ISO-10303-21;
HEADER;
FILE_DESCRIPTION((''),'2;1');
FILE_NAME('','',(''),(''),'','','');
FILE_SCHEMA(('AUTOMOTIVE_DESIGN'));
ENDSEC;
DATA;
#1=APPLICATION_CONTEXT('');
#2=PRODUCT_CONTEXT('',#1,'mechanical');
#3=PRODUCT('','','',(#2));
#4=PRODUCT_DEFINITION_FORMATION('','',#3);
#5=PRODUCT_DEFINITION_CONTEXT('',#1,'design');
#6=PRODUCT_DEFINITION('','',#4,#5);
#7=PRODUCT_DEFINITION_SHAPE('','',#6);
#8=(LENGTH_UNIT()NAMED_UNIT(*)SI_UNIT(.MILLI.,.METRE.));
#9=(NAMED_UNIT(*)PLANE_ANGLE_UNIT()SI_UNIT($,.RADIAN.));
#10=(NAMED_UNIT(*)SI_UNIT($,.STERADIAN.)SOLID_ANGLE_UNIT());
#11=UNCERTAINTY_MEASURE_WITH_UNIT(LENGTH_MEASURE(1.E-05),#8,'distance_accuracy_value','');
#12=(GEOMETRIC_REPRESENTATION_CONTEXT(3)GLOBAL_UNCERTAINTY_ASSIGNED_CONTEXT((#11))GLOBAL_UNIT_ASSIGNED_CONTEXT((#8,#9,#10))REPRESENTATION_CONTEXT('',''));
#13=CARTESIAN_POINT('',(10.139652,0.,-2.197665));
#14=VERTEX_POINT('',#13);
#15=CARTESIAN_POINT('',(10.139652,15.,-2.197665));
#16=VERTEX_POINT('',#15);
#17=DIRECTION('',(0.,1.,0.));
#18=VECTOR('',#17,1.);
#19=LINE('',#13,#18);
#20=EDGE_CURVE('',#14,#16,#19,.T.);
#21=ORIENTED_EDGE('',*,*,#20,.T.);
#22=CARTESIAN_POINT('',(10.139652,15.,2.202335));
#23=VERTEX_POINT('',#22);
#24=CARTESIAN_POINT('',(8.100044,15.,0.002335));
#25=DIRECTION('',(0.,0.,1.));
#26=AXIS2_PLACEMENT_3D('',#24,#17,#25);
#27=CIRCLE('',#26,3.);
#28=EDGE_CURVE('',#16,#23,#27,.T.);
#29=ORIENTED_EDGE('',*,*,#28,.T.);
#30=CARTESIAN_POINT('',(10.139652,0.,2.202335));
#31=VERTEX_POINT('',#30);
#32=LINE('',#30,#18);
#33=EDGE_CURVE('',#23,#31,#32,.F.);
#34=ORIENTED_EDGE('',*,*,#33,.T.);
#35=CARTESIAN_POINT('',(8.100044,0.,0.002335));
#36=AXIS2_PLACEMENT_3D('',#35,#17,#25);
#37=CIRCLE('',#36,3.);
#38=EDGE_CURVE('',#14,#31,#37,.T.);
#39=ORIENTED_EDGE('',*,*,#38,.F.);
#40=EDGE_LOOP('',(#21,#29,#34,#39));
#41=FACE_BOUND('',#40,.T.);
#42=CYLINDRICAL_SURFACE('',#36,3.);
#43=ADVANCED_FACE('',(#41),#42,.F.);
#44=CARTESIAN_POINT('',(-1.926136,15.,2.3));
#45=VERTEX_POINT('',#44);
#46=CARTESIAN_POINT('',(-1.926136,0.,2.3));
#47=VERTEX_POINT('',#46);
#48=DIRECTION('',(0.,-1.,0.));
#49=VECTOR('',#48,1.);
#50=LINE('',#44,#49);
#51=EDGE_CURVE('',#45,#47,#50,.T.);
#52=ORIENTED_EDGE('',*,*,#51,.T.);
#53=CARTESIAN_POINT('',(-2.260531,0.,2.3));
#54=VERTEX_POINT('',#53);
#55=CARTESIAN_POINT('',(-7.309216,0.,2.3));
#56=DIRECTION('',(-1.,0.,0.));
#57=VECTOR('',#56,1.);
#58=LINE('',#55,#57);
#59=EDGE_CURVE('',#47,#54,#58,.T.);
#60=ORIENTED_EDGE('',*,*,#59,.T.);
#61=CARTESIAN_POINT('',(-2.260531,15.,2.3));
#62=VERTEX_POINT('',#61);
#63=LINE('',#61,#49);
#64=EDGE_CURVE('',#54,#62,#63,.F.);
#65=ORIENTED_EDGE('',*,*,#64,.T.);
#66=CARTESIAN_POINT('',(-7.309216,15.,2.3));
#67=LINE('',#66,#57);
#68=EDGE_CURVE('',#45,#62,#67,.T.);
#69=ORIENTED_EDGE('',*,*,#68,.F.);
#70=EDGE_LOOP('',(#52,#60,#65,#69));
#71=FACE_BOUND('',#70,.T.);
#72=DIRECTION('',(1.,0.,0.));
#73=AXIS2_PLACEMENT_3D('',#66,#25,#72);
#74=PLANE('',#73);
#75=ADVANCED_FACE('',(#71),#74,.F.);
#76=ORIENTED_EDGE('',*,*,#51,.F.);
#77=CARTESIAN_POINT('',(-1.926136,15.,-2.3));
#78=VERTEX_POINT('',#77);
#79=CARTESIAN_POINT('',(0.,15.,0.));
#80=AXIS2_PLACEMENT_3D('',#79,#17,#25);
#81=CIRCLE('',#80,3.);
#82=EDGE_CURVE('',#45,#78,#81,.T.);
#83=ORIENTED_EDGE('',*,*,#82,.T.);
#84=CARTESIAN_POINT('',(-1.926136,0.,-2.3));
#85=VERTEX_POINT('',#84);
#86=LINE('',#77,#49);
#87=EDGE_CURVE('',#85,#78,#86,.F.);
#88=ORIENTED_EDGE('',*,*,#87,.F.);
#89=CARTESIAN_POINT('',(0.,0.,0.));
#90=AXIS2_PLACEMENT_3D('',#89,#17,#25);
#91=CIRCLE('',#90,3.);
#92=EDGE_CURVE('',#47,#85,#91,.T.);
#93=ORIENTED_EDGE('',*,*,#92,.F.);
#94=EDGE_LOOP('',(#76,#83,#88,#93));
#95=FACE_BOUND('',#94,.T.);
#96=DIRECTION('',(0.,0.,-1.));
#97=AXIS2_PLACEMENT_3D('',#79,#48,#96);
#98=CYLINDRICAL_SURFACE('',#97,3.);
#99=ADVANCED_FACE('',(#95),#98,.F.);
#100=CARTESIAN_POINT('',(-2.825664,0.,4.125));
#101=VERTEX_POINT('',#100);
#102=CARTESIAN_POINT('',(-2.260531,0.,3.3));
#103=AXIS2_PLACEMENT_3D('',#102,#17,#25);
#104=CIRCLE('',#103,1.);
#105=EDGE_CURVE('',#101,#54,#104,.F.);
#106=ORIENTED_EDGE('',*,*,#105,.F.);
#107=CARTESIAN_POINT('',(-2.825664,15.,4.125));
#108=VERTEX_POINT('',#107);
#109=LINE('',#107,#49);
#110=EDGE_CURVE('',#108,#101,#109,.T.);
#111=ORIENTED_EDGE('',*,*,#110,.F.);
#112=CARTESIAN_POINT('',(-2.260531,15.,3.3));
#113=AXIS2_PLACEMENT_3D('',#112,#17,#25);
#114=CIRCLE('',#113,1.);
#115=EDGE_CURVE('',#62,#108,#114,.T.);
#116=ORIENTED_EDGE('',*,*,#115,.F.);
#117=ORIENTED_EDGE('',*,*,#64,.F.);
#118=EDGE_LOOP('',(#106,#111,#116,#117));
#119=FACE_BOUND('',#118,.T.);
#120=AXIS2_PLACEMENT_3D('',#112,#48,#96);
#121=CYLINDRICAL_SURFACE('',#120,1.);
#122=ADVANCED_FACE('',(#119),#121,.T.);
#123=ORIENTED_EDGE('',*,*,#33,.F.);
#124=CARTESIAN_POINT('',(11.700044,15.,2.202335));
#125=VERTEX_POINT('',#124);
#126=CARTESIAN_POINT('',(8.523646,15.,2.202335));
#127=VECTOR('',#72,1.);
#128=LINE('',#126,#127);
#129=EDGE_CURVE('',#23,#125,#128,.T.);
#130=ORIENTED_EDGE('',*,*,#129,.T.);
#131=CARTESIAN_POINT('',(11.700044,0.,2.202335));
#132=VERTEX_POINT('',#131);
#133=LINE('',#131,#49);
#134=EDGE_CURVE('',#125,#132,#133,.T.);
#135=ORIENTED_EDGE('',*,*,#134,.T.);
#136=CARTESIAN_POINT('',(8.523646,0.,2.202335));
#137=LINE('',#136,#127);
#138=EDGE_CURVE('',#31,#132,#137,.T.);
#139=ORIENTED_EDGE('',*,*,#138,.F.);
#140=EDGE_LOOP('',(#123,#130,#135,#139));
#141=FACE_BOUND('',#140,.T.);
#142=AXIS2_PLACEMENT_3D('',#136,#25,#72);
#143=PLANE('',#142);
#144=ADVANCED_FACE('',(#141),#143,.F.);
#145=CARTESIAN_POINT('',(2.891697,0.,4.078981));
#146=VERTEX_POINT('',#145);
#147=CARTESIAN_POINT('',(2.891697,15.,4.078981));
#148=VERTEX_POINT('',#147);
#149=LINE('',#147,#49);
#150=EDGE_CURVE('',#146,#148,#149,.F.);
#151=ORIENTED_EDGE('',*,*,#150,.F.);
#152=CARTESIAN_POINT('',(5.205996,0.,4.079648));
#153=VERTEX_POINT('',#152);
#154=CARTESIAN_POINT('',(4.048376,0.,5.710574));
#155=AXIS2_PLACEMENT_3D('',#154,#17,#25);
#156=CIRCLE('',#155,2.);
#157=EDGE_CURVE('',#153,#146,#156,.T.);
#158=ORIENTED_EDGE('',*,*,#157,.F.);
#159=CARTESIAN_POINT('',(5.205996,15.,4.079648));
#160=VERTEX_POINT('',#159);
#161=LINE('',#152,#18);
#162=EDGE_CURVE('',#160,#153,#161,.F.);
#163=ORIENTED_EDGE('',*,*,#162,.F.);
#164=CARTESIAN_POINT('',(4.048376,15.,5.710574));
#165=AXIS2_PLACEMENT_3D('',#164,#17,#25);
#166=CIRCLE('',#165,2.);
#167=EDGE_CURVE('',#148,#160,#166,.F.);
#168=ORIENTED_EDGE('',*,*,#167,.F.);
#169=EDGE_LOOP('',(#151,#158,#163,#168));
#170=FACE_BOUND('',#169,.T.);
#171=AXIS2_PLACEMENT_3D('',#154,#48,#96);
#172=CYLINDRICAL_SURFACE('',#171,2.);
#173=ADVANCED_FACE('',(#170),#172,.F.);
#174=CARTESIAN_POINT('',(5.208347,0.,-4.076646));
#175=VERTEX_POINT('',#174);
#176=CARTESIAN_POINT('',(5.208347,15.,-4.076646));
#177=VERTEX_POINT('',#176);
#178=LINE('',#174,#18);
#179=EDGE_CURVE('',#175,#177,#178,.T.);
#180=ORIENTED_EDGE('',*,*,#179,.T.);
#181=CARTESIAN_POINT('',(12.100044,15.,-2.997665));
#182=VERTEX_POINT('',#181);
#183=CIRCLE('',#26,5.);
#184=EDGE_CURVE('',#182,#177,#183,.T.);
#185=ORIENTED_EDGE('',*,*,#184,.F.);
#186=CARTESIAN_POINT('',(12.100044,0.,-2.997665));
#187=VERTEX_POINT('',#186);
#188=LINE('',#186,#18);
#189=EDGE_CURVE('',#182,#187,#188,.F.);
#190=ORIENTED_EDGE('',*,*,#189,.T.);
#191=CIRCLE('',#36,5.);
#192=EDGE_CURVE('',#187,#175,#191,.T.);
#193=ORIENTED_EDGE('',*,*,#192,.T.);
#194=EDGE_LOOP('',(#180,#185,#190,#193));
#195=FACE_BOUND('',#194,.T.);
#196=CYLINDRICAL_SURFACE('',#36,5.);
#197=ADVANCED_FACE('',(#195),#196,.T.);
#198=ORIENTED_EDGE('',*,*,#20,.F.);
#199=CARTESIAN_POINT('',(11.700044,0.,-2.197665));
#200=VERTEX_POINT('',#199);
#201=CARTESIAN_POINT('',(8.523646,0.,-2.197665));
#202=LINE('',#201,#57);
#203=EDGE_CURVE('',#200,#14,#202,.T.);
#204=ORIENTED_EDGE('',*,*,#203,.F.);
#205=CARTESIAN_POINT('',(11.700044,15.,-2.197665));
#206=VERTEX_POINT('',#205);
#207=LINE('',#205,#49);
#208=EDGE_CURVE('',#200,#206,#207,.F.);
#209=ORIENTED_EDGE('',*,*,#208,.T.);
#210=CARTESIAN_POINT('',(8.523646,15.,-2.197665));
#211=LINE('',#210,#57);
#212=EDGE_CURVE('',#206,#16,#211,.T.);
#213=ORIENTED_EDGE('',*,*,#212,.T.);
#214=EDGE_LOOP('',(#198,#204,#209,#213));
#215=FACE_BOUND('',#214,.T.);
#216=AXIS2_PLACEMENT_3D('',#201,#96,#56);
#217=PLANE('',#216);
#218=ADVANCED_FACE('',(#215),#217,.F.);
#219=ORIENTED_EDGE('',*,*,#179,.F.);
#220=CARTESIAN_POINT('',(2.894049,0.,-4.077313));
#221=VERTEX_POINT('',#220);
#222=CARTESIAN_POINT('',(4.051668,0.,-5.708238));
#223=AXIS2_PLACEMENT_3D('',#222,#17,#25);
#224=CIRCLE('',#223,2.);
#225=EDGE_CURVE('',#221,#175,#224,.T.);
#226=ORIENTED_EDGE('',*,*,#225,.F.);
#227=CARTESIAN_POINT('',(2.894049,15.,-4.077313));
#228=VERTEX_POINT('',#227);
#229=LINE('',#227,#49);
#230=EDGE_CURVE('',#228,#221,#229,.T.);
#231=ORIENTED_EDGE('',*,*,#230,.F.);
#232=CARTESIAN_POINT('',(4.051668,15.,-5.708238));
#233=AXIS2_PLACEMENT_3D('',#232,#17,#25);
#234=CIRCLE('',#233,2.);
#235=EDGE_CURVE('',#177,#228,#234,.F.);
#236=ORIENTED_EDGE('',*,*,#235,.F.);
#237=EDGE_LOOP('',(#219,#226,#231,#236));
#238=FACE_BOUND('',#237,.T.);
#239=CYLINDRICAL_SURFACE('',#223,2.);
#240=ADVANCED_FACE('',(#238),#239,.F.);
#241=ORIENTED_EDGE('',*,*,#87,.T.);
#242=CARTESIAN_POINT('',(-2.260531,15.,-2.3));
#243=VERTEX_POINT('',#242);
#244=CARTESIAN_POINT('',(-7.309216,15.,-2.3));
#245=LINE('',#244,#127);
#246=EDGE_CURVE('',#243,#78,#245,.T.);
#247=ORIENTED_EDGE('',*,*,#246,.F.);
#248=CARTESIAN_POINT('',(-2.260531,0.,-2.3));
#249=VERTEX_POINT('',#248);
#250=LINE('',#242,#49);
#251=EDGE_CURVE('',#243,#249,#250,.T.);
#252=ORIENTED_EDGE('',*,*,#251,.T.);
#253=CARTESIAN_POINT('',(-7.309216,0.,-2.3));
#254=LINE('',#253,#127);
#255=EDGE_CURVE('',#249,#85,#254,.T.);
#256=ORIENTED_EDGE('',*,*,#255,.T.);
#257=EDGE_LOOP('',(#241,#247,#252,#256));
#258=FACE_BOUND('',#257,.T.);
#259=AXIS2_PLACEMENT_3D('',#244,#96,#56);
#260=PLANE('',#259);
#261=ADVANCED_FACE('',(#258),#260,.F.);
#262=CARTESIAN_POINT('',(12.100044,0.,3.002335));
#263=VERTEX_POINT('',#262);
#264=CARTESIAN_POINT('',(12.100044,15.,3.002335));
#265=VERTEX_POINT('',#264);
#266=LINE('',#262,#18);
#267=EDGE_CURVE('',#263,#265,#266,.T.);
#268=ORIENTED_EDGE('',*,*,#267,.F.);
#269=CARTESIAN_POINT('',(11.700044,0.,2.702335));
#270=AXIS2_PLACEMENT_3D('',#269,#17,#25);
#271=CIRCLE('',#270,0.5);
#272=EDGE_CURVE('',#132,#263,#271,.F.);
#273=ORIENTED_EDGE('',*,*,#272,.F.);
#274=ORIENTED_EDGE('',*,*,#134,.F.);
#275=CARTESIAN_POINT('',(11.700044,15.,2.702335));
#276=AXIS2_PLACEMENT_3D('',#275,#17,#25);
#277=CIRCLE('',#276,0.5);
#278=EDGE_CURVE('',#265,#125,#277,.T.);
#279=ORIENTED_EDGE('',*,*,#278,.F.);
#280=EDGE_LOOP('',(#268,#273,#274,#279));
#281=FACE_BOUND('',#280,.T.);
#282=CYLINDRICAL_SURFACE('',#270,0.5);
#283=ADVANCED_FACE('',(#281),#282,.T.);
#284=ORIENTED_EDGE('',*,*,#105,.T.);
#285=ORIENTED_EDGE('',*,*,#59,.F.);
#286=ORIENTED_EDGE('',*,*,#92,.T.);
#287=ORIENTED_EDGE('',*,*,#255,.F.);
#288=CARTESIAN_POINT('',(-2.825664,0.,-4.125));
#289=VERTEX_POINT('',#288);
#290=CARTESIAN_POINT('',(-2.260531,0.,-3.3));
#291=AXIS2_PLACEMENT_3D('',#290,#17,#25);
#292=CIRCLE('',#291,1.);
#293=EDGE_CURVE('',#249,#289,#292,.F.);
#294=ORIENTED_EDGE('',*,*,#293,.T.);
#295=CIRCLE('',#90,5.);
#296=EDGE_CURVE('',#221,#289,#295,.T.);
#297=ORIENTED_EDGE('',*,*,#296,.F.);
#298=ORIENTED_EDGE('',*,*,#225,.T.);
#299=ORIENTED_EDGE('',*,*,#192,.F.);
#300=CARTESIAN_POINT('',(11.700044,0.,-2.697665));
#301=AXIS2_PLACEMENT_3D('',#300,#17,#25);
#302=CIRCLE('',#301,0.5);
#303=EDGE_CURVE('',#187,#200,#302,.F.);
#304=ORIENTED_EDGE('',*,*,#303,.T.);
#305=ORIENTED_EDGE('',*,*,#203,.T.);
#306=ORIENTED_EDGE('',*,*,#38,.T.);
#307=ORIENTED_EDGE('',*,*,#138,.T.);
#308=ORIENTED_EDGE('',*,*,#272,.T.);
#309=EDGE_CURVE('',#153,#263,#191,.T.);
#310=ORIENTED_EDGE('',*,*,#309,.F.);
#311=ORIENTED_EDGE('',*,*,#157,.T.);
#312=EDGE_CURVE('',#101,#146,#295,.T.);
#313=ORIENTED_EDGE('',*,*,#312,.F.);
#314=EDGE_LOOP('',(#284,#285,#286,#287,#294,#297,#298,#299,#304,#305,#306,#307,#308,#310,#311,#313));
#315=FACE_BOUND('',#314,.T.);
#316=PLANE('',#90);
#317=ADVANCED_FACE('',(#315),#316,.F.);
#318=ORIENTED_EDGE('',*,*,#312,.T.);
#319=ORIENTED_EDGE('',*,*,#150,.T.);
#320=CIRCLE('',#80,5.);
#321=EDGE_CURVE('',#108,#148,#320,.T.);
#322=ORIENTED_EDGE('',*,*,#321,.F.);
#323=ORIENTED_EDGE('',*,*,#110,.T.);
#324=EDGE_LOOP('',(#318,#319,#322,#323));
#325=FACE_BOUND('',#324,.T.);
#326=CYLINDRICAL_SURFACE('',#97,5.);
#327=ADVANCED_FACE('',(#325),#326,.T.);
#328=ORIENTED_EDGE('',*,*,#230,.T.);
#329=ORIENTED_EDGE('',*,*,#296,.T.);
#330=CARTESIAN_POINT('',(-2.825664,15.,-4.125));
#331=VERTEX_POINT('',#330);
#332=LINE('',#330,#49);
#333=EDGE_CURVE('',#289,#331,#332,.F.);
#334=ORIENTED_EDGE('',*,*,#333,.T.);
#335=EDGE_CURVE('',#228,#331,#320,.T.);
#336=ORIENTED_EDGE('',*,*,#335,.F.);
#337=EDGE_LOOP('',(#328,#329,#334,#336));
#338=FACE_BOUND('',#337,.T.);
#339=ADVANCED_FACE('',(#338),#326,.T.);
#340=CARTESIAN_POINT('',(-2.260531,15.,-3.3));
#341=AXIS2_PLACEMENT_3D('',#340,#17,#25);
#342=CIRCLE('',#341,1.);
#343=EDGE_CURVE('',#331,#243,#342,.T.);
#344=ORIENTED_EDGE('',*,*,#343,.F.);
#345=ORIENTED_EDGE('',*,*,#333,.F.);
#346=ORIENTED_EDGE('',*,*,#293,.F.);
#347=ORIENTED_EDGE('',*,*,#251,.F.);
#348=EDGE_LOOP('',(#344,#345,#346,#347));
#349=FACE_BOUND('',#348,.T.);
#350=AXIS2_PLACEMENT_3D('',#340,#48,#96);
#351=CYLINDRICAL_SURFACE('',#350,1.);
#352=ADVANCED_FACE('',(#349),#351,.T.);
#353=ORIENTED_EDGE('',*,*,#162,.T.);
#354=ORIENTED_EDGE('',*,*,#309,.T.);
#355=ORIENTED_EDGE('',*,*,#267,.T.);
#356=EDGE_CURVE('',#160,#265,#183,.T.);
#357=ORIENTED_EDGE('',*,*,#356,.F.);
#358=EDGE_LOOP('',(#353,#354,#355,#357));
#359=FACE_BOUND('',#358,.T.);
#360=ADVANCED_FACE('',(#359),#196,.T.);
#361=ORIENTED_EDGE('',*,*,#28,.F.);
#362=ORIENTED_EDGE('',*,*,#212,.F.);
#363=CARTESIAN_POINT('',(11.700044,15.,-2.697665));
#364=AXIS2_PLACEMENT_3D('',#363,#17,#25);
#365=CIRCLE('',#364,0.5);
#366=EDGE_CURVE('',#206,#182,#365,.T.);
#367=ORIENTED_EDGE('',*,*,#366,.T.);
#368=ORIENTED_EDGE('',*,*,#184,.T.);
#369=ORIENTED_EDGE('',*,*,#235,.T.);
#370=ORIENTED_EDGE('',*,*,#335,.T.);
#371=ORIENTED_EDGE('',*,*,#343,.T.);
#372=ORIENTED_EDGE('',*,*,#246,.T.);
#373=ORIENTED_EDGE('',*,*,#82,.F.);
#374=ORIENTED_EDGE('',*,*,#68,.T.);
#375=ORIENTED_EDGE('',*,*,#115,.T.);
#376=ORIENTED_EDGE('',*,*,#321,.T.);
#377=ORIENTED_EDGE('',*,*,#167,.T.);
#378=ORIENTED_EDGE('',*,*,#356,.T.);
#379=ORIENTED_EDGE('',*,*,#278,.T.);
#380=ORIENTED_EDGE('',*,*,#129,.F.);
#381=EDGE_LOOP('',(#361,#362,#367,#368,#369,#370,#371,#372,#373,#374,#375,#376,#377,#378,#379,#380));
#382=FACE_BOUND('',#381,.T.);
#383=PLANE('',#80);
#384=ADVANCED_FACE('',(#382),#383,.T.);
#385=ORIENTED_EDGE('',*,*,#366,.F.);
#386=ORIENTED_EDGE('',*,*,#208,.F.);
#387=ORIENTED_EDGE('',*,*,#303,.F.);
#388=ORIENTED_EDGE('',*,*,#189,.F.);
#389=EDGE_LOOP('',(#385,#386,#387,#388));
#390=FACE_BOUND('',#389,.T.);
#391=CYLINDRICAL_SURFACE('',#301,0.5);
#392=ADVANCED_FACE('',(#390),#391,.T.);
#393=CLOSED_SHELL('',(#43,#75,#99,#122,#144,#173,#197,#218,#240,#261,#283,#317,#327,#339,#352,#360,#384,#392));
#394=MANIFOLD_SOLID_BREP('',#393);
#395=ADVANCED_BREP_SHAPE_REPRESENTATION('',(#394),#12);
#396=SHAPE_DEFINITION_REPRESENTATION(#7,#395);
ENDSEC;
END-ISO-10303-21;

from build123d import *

# Parameters (mm, degrees)
SKETCH1_R           = 5
SKETCH1_R_2         = 3
BOSS_EXTRUDE1_DEPTH = 15
SKETCH2_R           = 5
SKETCH2_R_2         = 3
BOSS_EXTRUDE2_DEPTH = 15
FILLET1_R           = 2
SKETCH3_W           = 7.3092156
SKETCH3_H           = 4.6
CUT_EXTRUDE1_DEPTH  = 15
FILLET2_R           = 1
SKETCH4_W           = 6.886340675
SKETCH4_H           = 4.4
CUT_EXTRUDE2_DEPTH  = 15
FILLET3_R           = 0.5


with BuildPart() as part:
    # Sketch1 → Boss-Extrude1 (new body)
    with BuildSketch(Plane(origin=(0, 0, 0), x_dir=(1, 0, 0), z_dir=(0, 1, 0))):
        Circle(SKETCH1_R)
        Circle(SKETCH1_R_2, mode=Mode.SUBTRACT)
    extrude(amount=BOSS_EXTRUDE1_DEPTH)

    # Sketch2 → Boss-Extrude2 (add)
    with BuildSketch(Plane(origin=(0, 15, 0), x_dir=(1, 0, 0), z_dir=(0, 1, 0))):
        with Locations((8.100044145, -0.002335254)):
            Circle(SKETCH2_R)
        with Locations((8.100044145, -0.002335254)):
            Circle(SKETCH2_R_2, mode=Mode.SUBTRACT)
    extrude(amount=-BOSS_EXTRUDE2_DEPTH)

    # Fillet1
    fillet1_edges = [part.edges().sort_by_distance(p)[0] for p in [
        (4.050867406, 7.5, -2.930950913),
        (4.049176739, 7.5, 2.933286167),
    ]]
    fillet(fillet1_edges, radius=FILLET1_R)

    # Sketch3 → Cut-Extrude1 (cut)
    with BuildSketch(Plane.XZ):
        with Locations((-3.6546078, 0)):
            Rectangle(SKETCH3_W, SKETCH3_H)
    extrude(amount=-CUT_EXTRUDE1_DEPTH, mode=Mode.SUBTRACT)

    # Fillet2
    fillet2_edges = [part.edges().sort_by_distance(p)[0] for p in [
        (-4.439594576, 7.5, 2.3),
        (-4.439594576, 7.5, -2.3),
    ]]
    fillet(fillet2_edges, radius=FILLET2_R)

    # Sketch4 → Cut-Extrude2 (cut)
    with BuildSketch(Plane(origin=(0, 15, 0), x_dir=(1, 0, 0), z_dir=(0, 1, 0))):
        with Locations((11.966816287, -0.002335254)):
            Rectangle(SKETCH4_W, SKETCH4_H)
    extrude(amount=-CUT_EXTRUDE2_DEPTH, mode=Mode.SUBTRACT)

    # Fillet3
    fillet3_edges = [part.edges().sort_by_distance(p)[0] for p in [
        (12.590033009, 7.5, -2.197664746),
        (12.590033009, 7.5, 2.202335254),
    ]]
    fillet(fillet3_edges, radius=FILLET3_R)


solid = part.part
